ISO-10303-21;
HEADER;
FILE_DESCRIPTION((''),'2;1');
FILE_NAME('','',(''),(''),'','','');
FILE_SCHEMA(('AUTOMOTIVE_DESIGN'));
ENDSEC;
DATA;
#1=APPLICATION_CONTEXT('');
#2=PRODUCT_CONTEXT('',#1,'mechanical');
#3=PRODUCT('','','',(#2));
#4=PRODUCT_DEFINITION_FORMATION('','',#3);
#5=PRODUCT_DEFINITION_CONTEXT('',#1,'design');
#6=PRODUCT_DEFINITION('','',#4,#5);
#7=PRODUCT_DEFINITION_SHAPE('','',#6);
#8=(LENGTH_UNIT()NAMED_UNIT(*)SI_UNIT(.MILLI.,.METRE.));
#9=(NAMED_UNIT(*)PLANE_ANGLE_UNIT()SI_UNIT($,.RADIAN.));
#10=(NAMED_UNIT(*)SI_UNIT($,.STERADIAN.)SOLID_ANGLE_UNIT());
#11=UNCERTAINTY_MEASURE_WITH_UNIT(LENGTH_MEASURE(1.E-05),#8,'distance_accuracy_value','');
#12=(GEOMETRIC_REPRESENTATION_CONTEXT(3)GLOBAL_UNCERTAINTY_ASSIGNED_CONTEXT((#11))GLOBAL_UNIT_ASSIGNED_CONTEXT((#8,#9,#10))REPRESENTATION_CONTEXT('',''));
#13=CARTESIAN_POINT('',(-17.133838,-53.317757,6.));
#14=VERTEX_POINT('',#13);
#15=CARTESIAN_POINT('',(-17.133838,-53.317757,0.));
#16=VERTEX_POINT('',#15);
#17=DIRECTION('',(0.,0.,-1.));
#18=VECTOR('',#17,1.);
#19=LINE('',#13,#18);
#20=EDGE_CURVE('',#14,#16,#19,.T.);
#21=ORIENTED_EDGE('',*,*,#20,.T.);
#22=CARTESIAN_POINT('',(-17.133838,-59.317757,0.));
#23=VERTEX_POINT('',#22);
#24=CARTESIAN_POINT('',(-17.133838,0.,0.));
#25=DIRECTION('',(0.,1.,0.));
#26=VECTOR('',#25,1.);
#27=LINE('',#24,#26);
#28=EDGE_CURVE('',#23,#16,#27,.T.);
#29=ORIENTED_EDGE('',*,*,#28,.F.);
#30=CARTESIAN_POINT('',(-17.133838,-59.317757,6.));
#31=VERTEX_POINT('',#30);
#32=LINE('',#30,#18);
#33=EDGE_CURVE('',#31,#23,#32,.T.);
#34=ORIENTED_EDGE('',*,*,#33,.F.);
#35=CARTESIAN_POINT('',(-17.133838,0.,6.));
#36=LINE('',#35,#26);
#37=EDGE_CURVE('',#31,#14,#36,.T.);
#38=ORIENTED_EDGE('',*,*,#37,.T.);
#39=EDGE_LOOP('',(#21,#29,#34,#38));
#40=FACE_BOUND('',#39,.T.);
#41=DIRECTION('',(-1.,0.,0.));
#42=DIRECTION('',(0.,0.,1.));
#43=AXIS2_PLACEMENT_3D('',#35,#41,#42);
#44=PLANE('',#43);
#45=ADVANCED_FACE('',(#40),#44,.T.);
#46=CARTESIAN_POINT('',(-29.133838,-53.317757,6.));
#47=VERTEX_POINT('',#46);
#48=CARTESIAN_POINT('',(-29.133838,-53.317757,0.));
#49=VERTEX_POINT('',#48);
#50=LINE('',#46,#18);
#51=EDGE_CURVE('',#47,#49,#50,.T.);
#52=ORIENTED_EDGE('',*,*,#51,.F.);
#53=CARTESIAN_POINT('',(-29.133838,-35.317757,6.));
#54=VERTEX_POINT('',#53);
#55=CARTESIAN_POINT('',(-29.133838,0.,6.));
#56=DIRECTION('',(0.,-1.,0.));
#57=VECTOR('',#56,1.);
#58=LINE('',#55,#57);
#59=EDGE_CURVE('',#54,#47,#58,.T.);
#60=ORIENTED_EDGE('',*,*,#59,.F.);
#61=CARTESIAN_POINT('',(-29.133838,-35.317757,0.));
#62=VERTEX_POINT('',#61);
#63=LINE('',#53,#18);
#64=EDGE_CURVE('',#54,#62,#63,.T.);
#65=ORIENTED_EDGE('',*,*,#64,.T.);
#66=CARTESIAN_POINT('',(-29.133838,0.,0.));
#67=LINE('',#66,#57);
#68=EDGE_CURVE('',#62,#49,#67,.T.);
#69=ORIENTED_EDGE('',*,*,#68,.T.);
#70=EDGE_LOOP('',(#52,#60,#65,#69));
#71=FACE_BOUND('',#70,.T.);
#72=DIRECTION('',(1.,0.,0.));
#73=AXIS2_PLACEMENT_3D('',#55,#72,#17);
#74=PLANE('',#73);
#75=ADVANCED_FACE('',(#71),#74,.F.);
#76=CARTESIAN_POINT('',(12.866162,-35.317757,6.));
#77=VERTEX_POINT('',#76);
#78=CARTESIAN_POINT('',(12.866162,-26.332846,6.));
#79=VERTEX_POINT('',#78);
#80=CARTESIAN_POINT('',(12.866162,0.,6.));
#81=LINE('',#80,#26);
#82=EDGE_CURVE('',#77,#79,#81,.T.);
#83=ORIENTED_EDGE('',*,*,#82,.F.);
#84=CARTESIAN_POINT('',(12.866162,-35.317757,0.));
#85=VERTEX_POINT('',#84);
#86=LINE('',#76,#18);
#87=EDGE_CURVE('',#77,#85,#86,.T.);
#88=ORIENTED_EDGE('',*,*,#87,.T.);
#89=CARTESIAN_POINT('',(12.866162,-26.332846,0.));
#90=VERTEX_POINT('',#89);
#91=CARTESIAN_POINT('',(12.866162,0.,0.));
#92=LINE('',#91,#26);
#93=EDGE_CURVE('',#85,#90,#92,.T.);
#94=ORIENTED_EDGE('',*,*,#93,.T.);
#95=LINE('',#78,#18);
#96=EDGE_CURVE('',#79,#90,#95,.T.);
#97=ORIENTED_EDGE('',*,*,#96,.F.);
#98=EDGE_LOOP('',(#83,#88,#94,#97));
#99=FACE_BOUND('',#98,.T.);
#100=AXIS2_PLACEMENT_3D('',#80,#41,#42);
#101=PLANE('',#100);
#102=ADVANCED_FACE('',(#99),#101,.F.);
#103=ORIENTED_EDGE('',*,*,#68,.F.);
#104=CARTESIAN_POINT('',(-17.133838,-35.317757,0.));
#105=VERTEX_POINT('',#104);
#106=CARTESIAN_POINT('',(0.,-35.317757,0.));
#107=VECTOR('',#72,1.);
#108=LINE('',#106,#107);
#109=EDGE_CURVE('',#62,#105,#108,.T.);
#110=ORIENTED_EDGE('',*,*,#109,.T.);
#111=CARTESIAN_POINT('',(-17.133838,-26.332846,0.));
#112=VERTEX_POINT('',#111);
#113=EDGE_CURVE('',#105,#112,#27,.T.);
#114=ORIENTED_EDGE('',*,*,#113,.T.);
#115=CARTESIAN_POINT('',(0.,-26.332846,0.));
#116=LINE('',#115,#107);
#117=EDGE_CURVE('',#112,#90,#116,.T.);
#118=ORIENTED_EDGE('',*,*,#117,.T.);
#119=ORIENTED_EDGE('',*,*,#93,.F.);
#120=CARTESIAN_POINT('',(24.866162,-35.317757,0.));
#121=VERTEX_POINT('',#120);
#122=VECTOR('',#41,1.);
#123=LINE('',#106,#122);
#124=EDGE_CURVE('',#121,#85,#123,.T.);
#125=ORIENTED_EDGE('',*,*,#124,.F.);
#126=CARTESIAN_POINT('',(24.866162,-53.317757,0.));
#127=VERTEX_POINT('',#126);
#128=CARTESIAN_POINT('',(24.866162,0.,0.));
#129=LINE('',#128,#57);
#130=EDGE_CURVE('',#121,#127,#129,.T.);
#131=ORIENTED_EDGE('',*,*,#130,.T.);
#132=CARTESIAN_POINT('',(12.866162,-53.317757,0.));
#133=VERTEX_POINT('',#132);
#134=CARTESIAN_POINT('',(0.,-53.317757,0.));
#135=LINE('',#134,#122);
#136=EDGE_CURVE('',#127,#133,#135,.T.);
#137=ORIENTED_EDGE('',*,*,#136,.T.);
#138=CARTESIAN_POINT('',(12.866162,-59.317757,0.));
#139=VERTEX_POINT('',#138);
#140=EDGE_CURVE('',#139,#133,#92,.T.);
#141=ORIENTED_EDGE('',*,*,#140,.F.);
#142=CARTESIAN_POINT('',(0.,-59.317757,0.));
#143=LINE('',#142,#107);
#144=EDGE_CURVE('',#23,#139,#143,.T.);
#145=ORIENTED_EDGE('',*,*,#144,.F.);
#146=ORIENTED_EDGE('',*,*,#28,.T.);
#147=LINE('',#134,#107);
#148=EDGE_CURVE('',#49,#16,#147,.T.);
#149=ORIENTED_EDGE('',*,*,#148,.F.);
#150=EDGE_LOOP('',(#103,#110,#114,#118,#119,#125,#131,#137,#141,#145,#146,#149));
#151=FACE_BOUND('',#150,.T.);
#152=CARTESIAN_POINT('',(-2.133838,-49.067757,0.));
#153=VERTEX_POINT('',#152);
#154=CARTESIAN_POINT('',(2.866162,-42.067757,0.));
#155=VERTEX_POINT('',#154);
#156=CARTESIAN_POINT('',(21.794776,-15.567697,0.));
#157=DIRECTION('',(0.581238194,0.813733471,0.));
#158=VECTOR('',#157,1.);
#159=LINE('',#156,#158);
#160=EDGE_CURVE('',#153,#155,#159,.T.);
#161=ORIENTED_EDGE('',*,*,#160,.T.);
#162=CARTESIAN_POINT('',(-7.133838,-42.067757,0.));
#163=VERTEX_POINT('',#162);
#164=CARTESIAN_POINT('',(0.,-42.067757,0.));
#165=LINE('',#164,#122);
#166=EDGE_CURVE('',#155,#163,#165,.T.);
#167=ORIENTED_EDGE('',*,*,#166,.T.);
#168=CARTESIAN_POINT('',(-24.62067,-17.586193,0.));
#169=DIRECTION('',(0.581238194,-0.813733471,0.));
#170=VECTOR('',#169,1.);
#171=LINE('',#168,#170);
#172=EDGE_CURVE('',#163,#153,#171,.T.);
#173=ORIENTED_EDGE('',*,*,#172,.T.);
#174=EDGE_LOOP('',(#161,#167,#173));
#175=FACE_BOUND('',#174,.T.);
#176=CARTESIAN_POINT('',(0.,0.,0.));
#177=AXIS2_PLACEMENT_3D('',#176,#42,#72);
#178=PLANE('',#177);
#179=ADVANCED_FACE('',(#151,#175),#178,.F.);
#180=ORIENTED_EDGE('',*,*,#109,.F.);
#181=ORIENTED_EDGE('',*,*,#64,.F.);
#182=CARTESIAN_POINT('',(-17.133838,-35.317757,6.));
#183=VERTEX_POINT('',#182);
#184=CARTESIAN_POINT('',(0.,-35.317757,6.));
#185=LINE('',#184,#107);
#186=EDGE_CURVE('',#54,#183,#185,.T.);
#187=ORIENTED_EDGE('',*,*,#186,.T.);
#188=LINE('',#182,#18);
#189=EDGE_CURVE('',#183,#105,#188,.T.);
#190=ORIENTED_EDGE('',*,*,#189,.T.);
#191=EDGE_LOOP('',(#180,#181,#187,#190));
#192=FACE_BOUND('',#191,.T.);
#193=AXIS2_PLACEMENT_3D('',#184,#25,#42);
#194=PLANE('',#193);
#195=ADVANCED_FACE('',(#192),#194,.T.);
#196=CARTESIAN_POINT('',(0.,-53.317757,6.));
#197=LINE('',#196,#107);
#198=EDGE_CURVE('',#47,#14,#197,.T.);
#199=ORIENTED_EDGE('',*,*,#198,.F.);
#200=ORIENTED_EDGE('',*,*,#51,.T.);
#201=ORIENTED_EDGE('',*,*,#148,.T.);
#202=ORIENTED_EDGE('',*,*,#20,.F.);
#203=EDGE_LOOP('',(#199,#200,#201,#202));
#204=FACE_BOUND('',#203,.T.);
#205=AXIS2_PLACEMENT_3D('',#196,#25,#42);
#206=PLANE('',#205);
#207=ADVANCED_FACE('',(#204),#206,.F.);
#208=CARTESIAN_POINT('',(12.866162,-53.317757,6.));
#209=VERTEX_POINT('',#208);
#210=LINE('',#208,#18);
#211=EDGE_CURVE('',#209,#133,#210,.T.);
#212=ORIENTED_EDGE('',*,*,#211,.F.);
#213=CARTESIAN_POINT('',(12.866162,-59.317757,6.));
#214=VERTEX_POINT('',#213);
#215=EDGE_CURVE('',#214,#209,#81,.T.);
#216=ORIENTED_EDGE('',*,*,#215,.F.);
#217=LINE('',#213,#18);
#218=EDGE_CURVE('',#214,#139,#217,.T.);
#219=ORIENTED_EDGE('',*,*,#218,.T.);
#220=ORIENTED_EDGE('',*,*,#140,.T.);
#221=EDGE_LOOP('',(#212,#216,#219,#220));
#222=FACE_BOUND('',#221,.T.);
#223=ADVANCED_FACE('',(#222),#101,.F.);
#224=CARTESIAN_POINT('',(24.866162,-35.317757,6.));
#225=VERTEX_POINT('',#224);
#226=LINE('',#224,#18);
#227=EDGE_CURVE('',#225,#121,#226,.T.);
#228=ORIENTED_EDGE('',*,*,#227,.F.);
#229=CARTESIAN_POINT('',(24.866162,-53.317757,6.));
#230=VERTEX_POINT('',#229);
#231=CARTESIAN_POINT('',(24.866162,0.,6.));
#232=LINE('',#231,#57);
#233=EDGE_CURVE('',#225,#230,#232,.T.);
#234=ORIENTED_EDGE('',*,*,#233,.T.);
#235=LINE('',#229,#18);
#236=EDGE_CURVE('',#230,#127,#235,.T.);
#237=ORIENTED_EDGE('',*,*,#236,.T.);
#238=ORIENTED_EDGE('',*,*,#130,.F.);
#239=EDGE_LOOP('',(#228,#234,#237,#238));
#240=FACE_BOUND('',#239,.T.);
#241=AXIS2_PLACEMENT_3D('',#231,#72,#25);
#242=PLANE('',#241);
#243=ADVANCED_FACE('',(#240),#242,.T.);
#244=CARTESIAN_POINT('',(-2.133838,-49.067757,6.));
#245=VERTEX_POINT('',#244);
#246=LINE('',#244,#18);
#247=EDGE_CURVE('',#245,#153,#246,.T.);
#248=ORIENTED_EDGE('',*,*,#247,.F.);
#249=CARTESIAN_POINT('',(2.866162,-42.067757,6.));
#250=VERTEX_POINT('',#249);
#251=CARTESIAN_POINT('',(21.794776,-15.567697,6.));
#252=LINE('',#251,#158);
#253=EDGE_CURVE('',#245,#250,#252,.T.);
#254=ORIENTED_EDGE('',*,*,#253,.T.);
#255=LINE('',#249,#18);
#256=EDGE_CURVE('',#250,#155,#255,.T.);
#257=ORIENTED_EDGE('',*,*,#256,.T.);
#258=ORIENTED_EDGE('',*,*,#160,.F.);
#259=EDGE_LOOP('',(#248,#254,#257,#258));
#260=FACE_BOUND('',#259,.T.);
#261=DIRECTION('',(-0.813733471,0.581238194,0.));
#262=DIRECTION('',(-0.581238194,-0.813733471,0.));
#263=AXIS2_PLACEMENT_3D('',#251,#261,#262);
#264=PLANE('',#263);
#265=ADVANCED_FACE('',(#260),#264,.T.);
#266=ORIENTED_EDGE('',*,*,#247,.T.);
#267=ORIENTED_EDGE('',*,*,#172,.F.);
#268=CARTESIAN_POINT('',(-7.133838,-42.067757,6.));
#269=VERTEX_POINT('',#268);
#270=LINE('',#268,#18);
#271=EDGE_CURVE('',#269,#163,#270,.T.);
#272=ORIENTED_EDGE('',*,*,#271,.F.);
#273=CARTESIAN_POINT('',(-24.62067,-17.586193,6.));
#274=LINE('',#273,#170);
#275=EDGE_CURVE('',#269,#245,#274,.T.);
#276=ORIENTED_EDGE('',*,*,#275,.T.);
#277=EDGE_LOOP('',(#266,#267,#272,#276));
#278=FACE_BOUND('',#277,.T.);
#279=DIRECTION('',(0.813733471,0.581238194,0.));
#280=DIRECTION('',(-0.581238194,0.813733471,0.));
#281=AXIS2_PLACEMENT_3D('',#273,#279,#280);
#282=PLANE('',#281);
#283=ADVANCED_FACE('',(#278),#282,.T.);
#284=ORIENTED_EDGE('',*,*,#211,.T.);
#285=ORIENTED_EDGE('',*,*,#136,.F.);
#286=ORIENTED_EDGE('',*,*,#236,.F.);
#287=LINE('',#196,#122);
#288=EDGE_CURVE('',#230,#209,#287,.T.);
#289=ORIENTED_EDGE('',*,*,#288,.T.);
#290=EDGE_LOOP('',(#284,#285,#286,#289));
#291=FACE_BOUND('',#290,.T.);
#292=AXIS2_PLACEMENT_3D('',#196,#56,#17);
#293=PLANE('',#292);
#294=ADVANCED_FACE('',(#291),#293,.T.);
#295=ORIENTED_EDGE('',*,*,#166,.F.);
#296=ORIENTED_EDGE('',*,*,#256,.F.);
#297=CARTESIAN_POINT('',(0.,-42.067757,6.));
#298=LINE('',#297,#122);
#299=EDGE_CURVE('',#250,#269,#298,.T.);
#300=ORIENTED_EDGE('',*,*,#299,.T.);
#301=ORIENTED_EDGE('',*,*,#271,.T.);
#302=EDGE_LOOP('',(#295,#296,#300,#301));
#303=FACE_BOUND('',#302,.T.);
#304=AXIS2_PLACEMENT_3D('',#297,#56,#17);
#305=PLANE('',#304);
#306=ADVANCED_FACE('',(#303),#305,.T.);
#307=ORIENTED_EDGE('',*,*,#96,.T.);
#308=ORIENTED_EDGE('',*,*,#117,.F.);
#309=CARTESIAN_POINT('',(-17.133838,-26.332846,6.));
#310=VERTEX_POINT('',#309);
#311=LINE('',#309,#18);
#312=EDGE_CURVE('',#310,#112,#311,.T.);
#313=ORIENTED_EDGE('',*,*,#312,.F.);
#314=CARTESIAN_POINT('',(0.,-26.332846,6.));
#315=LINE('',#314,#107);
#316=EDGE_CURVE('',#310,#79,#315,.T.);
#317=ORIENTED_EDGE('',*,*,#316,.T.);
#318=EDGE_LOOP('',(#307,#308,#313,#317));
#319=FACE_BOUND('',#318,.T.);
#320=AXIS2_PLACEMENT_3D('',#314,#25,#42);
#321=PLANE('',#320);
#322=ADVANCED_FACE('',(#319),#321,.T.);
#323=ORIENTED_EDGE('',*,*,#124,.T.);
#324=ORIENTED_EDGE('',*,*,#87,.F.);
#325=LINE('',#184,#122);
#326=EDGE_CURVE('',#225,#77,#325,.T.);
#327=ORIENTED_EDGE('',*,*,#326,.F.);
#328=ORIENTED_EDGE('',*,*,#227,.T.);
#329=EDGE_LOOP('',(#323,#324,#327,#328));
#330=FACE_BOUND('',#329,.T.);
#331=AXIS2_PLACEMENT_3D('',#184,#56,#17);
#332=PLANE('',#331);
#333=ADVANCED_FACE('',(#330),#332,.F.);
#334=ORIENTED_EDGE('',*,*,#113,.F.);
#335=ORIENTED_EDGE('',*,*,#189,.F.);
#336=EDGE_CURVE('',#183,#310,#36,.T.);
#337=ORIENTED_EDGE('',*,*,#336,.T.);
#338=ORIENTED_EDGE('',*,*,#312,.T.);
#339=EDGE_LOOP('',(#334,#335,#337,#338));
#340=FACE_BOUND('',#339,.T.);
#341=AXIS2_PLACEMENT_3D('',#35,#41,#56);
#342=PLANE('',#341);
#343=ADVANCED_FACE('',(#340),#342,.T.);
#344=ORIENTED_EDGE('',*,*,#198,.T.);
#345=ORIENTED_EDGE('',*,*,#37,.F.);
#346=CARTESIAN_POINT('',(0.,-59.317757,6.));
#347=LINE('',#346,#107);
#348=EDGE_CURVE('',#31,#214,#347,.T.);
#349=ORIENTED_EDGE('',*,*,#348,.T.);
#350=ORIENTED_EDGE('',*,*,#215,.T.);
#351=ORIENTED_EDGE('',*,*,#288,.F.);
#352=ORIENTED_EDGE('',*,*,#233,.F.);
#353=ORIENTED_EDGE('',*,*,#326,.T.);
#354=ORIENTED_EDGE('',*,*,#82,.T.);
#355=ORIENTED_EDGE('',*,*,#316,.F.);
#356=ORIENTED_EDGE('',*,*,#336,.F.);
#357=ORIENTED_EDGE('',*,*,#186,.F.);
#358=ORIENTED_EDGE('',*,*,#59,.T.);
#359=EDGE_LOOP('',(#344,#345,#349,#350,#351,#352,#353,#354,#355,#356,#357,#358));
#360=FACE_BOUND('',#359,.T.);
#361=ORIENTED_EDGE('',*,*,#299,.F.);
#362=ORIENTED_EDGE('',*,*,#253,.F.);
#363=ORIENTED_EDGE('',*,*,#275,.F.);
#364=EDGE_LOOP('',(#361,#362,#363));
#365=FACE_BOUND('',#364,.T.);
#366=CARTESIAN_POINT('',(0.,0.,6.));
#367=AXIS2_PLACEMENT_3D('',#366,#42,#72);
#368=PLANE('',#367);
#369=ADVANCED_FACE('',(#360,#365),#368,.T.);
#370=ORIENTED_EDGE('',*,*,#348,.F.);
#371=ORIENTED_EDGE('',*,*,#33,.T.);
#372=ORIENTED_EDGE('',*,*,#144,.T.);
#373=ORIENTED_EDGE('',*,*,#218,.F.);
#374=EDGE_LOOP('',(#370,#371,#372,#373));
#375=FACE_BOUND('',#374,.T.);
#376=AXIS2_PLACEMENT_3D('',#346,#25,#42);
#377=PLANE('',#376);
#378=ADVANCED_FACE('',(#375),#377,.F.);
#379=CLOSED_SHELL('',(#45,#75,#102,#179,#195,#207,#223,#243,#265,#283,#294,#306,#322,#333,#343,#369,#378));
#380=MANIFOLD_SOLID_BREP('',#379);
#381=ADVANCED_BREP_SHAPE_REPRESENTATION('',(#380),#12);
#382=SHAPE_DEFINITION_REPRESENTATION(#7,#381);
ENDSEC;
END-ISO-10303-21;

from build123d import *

# Parameters (mm, degrees)
BOSS_EXTRUDE1_DEPTH = 6


with BuildPart() as part:
    # Sketch1 → Boss-Extrude1 (new body)
    with BuildSketch(Plane.XY):
        Polygon((24.866162055, -35.317756725), (12.866162055, -35.317756725), (12.866162055, -26.332846246), (-17.133837945, -26.332846246), (-17.133837945, -35.317756725), (-29.133837945, -35.317756725), (-29.133837945, -53.317756725), (-17.133837945, -53.317756725), (-17.133837945, -59.317756725), (12.866162055, -59.317756725), (12.866162055, -53.317756725), (24.866162055, -53.317756725), align=None)
        Polygon((-7.133837945, -42.067756725), (-2.133837945, -49.067756725), (2.866162055, -42.067756725), align=None, mode=Mode.SUBTRACT)
    extrude(amount=BOSS_EXTRUDE1_DEPTH)


solid = part.part
